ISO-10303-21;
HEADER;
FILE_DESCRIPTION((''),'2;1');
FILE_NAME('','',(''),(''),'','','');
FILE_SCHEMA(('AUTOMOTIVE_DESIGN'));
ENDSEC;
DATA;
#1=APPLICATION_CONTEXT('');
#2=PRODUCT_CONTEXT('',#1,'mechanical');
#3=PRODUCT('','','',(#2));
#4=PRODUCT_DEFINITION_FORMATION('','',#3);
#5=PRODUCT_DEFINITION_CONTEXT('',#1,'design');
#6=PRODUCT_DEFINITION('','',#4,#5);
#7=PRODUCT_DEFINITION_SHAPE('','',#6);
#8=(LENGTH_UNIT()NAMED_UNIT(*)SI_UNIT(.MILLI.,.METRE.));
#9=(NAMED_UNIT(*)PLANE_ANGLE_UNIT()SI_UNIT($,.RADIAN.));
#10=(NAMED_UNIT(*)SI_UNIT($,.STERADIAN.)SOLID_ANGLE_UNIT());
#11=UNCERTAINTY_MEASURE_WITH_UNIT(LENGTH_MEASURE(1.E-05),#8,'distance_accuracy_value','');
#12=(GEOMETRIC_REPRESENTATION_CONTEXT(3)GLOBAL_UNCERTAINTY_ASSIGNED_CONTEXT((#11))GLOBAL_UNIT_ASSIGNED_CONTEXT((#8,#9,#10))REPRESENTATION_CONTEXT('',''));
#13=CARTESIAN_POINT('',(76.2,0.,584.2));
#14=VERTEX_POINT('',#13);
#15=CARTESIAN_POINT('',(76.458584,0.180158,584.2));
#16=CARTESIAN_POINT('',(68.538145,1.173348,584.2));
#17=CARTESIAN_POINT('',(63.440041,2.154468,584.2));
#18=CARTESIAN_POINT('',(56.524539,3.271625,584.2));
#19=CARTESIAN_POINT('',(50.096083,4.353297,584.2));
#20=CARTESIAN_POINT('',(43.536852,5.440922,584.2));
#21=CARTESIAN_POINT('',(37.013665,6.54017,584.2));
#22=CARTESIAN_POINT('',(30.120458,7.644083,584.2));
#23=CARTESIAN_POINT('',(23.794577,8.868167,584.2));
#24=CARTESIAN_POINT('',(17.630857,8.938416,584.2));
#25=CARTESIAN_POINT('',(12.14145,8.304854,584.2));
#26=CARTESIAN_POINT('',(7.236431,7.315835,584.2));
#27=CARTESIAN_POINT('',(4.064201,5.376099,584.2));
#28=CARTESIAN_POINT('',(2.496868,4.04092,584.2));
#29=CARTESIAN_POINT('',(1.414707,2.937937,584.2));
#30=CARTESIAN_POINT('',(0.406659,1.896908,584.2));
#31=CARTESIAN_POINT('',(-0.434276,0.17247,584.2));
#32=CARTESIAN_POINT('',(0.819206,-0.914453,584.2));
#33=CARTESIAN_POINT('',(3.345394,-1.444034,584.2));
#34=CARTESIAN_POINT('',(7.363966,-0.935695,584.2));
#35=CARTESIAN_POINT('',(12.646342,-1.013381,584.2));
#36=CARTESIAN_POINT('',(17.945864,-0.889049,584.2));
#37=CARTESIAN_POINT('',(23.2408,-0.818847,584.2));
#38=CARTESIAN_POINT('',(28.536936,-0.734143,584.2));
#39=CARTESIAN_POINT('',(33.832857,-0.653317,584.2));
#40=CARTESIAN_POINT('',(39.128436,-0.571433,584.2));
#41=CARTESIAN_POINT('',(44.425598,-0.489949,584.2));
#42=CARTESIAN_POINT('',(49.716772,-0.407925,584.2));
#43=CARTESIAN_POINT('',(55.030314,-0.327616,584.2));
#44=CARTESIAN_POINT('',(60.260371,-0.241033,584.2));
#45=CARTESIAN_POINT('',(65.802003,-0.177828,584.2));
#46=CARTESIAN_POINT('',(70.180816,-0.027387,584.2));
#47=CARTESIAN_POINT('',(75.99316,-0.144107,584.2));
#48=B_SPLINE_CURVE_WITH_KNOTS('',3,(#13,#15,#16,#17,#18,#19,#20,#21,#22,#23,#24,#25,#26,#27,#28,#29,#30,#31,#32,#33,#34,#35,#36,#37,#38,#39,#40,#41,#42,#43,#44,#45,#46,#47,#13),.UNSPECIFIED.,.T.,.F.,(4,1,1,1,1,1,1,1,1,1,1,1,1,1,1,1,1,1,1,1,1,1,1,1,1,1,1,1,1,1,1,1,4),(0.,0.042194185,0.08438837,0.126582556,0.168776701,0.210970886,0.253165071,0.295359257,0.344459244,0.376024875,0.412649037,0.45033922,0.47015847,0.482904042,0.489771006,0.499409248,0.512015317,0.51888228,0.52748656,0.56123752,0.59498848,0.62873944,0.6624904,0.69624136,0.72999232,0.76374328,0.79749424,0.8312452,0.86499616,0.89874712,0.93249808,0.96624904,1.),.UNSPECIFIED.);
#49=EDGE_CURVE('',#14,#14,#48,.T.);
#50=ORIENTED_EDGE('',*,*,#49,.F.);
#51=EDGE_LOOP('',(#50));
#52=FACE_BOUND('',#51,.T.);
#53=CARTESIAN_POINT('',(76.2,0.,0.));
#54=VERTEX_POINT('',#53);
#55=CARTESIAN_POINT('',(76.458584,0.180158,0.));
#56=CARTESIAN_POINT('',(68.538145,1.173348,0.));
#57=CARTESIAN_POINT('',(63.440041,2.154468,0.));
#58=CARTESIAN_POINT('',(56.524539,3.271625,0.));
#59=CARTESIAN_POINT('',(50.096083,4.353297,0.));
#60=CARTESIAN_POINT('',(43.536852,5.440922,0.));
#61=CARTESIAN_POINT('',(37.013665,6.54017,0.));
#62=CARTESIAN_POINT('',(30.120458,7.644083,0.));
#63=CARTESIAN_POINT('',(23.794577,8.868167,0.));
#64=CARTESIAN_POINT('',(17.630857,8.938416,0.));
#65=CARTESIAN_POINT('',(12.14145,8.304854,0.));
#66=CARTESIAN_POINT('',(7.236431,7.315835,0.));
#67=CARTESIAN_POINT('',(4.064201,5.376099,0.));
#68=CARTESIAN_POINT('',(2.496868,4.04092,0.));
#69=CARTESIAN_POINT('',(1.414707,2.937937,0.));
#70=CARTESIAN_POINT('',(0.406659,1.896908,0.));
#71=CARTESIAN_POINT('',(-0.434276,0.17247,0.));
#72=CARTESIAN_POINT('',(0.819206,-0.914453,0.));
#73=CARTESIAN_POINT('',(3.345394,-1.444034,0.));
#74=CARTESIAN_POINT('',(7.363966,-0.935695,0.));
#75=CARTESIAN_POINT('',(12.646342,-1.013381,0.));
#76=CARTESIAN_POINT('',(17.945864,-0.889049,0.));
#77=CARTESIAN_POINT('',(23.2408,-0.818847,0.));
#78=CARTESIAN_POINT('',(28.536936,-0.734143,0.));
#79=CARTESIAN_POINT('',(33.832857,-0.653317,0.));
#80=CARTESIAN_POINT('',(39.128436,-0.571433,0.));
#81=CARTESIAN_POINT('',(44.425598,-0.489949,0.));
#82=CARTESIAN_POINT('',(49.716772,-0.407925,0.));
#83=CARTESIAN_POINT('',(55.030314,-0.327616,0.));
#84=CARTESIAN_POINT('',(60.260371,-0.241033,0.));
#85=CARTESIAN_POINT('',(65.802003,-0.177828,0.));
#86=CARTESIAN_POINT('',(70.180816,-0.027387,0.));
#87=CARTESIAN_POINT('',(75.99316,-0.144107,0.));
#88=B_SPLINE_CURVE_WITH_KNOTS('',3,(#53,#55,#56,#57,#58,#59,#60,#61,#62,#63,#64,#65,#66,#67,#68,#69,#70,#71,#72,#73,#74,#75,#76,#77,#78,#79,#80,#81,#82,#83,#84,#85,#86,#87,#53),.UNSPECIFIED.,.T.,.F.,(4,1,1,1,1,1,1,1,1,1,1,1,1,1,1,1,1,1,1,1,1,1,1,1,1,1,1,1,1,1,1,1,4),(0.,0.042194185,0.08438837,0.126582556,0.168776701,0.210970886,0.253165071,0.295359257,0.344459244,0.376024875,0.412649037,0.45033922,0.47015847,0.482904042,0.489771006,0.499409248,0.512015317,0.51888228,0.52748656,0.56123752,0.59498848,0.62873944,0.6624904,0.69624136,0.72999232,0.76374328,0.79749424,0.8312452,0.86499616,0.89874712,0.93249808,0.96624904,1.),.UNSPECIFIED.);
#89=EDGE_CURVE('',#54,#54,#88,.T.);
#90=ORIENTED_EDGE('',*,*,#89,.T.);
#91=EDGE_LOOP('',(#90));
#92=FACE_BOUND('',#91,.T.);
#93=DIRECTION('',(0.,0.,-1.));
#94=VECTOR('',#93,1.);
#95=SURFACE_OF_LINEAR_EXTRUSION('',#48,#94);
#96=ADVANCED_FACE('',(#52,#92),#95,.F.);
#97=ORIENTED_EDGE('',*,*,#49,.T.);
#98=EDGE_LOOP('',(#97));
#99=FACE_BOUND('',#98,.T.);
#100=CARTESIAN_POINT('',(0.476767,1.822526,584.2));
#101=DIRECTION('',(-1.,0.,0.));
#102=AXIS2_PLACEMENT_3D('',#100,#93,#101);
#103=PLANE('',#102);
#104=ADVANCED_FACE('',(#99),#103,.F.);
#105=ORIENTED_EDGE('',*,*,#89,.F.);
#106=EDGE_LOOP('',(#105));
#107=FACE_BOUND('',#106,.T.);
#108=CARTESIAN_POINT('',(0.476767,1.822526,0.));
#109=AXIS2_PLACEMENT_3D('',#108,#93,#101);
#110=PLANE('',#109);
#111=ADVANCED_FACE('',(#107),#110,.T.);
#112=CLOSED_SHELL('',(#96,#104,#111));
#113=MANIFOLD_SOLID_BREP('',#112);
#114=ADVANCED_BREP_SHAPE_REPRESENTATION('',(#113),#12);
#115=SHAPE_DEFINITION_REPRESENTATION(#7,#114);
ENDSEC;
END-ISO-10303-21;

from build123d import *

# Parameters (mm, degrees)
BOSS_EXTRUDE1_DEPTH = 584.2


with BuildPart() as part:
    # Sketch1 → Boss-Extrude1 (new body)
    with BuildSketch(Plane.XY):
        with BuildLine():
            add(Edge.make_bspline(
                [(76.2, 0), (76.458583576, 0.180157567), (68.538144559, 1.173347983), (63.440040719, 2.154467745), (56.524538827, 3.271624756), (50.096082796, 4.353297253), (43.536851567, 5.44092215), (37.01366479, 6.540170394), (30.120458454, 7.64408335), (23.794576846, 8.868166839), (17.630857196, 8.938416345), (12.141450308, 8.304854483), (7.236430986, 7.315835475), (4.064200528, 5.376099052), (2.496868376, 4.040919544), (1.414706787, 2.937937429), (0.406658539, 1.896907645), (-0.434275958, 0.172470128), (0.819206142, -0.91445267), (3.34539384, -1.444033516), (7.363965762, -0.935694649), (12.646342403, -1.013380709), (17.945864405, -0.889048666), (23.24079995, -0.818846694), (28.536935845, -0.734142542), (33.832856916, -0.653317037), (39.128436264, -0.571433416), (44.425598035, -0.489949318), (49.716771836, -0.407925245), (55.030314391, -0.32761584), (60.260370564, -0.241033447), (65.802003395, -0.177828339), (70.180816081, -0.027387076), (75.993160033, -0.144107316), (76.2, 0)],
                knots=[0, 0, 0, 0, 0.042194185, 0.08438837, 0.126582556, 0.168776701, 0.210970886, 0.253165071, 0.295359257, 0.344459244, 0.376024875, 0.412649037, 0.45033922, 0.47015847, 0.482904042, 0.489771006, 0.499409248, 0.512015317, 0.51888228, 0.52748656, 0.56123752, 0.59498848, 0.62873944, 0.6624904, 0.69624136, 0.72999232, 0.76374328, 0.79749424, 0.8312452, 0.86499616, 0.89874712, 0.93249808, 0.96624904, 1, 1, 1, 1], degree=3))
        make_face()
    extrude(amount=BOSS_EXTRUDE1_DEPTH)


solid = part.part
